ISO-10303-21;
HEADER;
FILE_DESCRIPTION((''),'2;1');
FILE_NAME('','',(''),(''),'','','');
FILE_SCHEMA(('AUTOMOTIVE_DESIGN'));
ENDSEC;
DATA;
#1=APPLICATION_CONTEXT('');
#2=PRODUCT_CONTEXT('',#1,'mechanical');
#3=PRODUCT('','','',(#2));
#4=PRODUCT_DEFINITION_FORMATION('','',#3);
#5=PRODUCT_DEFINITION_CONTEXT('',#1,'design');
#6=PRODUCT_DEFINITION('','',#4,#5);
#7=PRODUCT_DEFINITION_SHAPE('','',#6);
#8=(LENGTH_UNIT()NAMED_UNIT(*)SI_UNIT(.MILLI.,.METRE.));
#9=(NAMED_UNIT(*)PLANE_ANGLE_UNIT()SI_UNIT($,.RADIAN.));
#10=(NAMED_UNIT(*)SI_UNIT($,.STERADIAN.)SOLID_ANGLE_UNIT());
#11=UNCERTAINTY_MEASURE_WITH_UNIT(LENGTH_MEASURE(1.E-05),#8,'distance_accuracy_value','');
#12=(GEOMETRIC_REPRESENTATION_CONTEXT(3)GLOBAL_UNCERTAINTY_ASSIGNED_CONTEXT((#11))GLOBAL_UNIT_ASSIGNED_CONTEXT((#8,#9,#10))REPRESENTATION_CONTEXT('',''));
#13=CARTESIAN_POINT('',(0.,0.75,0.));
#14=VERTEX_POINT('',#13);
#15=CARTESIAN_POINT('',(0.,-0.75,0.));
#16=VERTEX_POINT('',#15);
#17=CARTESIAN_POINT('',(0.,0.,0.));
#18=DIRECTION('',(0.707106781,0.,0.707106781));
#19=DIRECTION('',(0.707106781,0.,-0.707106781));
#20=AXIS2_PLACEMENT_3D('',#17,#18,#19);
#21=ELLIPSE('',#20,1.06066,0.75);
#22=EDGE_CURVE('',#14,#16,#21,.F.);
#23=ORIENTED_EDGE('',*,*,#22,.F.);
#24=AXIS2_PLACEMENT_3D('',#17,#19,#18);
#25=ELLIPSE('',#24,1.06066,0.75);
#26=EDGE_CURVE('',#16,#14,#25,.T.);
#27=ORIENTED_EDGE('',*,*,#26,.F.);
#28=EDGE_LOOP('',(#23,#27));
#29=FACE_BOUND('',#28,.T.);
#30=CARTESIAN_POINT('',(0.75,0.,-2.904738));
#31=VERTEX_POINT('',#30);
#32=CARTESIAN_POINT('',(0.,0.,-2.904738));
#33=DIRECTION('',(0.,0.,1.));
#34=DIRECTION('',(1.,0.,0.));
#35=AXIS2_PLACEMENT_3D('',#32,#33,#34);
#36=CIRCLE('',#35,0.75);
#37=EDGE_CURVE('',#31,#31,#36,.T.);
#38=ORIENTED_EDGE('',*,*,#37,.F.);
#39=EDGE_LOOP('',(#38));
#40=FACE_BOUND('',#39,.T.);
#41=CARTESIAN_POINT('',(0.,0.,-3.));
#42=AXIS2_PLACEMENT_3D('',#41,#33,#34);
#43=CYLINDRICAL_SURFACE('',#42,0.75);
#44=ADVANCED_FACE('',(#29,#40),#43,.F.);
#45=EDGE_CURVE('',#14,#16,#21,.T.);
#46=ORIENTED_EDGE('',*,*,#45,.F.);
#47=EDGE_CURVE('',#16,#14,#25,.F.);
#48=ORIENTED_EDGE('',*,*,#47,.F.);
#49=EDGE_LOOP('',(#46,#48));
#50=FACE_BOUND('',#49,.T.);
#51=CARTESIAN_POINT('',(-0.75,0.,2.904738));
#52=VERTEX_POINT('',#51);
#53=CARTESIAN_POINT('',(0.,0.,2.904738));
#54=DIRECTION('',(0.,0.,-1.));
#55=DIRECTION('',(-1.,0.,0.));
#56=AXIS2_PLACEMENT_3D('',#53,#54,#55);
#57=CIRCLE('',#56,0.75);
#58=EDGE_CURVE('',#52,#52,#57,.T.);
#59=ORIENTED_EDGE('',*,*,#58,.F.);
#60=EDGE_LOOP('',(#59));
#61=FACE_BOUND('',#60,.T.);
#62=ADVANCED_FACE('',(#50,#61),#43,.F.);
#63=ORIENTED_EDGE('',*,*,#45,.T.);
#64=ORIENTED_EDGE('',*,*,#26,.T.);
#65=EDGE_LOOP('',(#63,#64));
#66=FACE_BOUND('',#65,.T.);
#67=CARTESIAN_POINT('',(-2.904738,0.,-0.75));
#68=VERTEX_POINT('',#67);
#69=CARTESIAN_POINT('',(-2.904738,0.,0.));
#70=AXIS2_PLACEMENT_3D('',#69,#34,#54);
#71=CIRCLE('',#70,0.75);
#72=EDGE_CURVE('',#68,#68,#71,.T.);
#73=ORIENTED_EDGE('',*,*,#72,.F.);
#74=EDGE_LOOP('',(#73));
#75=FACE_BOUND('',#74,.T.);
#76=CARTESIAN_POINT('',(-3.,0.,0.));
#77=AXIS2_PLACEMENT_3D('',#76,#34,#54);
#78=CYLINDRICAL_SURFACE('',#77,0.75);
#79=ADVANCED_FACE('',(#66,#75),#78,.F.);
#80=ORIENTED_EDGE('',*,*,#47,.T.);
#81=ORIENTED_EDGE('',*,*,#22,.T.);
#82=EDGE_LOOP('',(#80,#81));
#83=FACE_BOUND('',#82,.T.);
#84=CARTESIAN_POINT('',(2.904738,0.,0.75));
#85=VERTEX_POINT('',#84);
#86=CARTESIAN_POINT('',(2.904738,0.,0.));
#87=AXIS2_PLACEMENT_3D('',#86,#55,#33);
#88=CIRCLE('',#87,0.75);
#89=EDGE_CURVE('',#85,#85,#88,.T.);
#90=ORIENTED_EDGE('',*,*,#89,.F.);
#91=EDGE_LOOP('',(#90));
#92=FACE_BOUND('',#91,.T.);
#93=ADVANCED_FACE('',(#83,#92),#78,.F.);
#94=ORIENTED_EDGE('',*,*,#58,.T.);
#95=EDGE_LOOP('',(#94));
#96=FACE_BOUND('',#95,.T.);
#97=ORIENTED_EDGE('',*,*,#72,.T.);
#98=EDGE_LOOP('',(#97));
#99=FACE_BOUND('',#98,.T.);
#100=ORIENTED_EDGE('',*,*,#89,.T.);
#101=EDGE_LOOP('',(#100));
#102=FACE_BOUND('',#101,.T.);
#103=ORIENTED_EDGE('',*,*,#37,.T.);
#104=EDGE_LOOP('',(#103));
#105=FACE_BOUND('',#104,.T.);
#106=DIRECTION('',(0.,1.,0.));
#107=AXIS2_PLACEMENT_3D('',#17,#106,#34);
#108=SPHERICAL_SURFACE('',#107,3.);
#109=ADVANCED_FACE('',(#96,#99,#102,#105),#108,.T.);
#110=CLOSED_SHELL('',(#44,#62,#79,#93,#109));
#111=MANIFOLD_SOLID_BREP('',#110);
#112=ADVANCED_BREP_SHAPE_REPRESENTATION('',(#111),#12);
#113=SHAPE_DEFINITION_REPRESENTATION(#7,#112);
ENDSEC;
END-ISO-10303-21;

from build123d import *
from build123d.topology import SkipClean

# Parameters (mm, degrees)
CUT_EXTRUDE1_DEPTH      = 6.196152423
CUT_EXTRUDE1_DEPTH_BACK = 6.196152423
SKETCH2_R               = 0.75
CUT_EXTRUDE2_DEPTH      = 6.141741007
CUT_EXTRUDE2_DEPTH_BACK = 6.141741007
SKETCH3_R               = 0.75


with BuildPart() as part:
    # Sketch1 → Revolve1 (revolve)
    with SkipClean():  # the faces are left unmerged after this step: merging them gives an invalid solid
        with BuildSketch(Plane.XY):
            with BuildLine():
                ThreePointArc((3, 0), (2.121320344, 2.121320344), (0, 3))
                Line((0, 3), (0, -3))
                ThreePointArc((0, -3), (2.121320344, -2.121320344), (3, 0))
            make_face()
            with BuildLine():
                Line((0, -3), (0, 3))
                ThreePointArc((0, 3), (-3, 0), (0, -3))
            make_face()
        revolve(axis=Axis((0, 3, 0), (0, -1, 0)))

    # Sketch2 → Cut-Extrude1 (cut, two sides: drawn at the far end of the back side and taken through both)
    with SkipClean():  # the faces are left unmerged after this step: merging them gives an invalid solid
        with BuildSketch(Plane(origin=(0, 0, 0), x_dir=(0, 0, -1), z_dir=(1, 0, 0)).offset(-CUT_EXTRUDE1_DEPTH_BACK)):
            Circle(SKETCH2_R)
        extrude(amount=CUT_EXTRUDE1_DEPTH + CUT_EXTRUDE1_DEPTH_BACK, mode=Mode.SUBTRACT)

    # Sketch3 → Cut-Extrude2 (cut, two sides: drawn at the far end of the back side and taken through both)
    with SkipClean():  # the faces are left unmerged after this step: merging them gives an invalid solid
        with BuildSketch(Plane.XY.offset(-CUT_EXTRUDE2_DEPTH_BACK)):
            with Locations(Location((0, 0, 0), (0, 0, 270))):
                Circle(SKETCH3_R)
        extrude(amount=CUT_EXTRUDE2_DEPTH + CUT_EXTRUDE2_DEPTH_BACK, mode=Mode.SUBTRACT)


solid = part.part
